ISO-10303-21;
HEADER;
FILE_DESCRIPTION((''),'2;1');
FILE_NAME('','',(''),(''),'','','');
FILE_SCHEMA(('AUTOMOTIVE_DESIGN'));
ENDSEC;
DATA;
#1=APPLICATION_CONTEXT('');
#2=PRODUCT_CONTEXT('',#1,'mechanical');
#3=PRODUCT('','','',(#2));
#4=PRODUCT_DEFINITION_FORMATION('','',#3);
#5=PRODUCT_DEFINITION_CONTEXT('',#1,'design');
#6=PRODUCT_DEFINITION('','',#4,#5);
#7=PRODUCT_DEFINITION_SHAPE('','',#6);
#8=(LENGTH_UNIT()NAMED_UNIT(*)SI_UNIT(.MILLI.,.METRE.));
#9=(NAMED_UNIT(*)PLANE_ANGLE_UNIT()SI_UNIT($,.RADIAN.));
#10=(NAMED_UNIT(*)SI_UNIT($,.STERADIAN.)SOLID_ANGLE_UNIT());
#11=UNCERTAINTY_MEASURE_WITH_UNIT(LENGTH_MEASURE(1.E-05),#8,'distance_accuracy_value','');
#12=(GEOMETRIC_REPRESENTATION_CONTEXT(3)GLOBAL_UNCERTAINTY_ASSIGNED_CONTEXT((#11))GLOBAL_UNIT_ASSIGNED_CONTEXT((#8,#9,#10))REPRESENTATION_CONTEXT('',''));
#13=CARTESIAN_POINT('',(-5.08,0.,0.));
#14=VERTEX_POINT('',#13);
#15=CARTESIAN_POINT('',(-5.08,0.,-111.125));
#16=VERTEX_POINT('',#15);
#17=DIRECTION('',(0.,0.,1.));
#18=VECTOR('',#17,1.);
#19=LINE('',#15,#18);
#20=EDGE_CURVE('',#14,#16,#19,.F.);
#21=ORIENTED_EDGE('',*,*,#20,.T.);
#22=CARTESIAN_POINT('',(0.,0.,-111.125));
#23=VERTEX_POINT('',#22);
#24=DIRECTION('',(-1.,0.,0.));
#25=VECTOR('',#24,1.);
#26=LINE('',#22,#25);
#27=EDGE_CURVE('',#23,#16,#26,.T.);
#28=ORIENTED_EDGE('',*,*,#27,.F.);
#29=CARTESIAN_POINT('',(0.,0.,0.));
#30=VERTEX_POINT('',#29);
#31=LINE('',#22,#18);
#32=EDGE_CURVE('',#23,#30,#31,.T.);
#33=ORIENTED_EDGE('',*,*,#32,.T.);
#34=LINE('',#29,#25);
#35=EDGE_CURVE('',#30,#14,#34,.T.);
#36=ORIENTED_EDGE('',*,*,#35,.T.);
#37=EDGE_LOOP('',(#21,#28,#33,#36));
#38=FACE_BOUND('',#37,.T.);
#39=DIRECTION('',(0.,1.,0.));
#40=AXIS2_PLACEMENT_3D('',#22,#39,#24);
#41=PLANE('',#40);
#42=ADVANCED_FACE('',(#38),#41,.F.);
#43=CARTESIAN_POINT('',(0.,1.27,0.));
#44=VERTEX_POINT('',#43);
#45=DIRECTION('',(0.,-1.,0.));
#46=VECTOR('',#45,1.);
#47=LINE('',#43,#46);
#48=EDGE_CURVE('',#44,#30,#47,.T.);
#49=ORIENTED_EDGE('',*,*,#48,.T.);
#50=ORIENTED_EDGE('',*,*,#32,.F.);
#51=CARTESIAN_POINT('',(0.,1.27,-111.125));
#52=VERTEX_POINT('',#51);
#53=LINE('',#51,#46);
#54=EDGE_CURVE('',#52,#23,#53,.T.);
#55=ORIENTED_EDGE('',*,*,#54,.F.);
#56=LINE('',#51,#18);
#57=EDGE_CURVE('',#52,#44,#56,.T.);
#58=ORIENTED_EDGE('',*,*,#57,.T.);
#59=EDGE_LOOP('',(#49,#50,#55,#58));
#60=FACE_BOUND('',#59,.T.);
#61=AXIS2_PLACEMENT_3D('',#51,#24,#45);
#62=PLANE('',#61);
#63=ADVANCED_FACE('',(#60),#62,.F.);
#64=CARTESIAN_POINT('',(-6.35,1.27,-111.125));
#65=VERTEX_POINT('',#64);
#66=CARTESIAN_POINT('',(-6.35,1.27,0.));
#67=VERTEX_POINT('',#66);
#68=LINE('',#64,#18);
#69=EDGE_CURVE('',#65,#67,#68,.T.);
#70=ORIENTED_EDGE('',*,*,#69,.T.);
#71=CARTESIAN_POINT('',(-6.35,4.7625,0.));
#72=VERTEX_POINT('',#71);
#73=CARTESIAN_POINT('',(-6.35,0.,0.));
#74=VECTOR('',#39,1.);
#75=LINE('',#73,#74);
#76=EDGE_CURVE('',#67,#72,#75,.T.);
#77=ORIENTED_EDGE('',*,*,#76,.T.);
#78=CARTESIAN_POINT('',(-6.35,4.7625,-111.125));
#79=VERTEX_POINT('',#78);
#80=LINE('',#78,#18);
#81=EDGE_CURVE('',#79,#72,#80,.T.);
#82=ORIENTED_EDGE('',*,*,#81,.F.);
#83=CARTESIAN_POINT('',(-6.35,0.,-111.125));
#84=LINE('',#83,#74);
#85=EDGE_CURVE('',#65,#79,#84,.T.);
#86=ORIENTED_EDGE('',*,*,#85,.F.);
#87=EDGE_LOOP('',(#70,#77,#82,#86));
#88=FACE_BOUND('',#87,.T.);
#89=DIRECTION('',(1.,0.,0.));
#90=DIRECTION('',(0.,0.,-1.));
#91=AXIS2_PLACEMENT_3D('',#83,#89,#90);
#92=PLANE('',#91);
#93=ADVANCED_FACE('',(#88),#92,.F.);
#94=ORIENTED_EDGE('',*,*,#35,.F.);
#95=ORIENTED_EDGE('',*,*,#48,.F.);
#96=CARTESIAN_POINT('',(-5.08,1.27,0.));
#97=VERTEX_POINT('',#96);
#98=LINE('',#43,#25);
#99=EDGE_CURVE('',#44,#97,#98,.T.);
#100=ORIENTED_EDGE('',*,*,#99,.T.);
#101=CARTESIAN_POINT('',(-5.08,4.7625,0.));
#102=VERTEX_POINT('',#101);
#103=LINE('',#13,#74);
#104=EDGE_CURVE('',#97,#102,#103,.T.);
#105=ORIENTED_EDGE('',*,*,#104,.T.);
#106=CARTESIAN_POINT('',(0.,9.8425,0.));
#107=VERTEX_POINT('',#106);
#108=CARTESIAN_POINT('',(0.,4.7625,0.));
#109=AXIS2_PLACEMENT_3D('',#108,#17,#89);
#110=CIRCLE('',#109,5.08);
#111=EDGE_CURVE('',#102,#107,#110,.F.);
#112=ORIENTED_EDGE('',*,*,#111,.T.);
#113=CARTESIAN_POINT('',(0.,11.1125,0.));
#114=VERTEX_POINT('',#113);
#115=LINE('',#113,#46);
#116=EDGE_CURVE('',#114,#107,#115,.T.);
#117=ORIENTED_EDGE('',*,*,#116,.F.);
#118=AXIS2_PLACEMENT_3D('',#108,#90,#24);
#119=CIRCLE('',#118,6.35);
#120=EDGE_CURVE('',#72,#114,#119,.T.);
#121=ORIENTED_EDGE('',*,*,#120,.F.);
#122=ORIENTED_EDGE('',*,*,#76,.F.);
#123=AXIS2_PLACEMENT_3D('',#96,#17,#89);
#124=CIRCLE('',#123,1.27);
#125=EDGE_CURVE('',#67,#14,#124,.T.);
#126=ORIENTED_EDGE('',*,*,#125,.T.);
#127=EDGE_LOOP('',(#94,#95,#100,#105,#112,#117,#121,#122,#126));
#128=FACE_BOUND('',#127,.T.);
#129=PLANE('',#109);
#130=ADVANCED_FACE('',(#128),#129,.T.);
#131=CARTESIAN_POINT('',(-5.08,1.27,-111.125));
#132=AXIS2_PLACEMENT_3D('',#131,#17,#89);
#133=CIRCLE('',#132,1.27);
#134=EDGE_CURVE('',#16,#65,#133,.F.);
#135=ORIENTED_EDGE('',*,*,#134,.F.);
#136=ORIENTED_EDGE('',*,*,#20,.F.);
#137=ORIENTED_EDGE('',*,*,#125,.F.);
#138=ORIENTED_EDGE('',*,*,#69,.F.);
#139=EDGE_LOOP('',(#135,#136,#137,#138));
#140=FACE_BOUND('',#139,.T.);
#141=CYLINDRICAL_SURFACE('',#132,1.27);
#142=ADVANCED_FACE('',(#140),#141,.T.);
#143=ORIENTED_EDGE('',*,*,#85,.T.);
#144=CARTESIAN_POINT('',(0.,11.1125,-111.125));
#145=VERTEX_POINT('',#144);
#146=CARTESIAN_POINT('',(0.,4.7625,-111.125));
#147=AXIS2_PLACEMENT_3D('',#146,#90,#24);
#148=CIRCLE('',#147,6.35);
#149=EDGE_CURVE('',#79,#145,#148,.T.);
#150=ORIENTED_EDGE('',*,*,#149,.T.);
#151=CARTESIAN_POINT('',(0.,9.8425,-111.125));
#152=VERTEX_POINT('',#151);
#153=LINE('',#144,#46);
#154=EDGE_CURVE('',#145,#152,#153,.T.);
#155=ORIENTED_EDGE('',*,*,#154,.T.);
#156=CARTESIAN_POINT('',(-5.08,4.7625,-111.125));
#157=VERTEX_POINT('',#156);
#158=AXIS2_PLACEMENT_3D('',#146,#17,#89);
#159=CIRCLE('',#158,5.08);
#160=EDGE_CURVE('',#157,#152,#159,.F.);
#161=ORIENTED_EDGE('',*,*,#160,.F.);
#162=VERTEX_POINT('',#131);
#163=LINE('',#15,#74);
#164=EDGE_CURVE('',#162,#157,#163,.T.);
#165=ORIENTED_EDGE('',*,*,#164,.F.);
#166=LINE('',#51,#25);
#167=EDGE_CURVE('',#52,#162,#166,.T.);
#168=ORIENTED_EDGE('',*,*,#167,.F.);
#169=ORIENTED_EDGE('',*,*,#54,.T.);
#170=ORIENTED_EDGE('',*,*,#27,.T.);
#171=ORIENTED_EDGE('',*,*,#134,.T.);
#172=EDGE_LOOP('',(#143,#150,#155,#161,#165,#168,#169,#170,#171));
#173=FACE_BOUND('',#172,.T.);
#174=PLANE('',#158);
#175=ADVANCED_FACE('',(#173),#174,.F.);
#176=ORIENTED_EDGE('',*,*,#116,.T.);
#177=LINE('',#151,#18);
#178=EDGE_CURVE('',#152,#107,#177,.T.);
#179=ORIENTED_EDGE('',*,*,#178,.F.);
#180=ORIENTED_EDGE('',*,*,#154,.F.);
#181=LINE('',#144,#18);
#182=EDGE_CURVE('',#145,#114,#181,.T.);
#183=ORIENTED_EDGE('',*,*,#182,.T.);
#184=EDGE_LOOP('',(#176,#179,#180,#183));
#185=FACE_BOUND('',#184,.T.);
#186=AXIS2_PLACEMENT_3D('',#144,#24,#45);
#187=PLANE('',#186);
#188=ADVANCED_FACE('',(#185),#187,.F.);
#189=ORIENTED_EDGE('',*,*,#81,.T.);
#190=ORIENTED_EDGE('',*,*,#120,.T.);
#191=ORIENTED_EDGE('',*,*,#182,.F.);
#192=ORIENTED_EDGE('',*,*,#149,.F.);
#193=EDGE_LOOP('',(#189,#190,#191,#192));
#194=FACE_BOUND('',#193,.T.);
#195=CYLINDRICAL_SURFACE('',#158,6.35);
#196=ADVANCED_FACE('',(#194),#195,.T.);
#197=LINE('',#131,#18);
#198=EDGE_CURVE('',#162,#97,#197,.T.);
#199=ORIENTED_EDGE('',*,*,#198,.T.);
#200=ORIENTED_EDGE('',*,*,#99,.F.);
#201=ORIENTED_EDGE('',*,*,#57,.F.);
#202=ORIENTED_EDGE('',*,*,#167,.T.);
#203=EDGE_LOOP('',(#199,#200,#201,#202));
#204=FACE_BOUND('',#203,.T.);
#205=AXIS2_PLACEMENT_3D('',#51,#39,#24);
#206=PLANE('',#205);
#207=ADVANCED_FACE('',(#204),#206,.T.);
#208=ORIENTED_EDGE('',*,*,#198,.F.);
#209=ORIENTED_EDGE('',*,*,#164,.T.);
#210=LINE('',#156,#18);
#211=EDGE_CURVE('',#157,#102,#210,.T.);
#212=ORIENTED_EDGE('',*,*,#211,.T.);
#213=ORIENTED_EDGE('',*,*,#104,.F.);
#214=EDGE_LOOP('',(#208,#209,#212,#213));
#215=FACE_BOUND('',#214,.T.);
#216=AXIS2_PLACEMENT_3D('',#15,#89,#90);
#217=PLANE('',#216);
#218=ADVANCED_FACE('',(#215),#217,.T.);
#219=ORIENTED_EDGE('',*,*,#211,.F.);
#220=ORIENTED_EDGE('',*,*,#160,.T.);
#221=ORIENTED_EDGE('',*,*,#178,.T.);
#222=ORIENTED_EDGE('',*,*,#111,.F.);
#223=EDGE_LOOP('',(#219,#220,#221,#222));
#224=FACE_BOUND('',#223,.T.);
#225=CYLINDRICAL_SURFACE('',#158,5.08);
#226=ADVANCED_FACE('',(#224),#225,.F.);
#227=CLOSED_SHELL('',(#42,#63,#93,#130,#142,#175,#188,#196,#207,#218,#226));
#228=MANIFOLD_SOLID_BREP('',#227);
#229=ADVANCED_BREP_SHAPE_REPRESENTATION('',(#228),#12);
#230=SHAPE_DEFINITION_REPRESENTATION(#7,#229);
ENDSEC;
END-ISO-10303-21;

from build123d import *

# Parameters (mm, degrees)
EXTRUDE_THIN1_DEPTH = 111.125
FILLET1_R           = 1.27


with BuildPart() as part:
    # Sketch1 → Extrude-Thin1 (new body)
    with BuildSketch(Plane.XY):
        with BuildLine():
            Line((0, 0), (-6.35, 0))
            Line((-6.35, 0), (-6.35, 4.7625))
            ThreePointArc((-6.35, 4.7625), (-4.490128061, 9.252628061), (0, 11.1125))
            Line((0, 11.1125), (0, 9.8425))
            ThreePointArc((0, 9.8425), (-3.592102448, 8.354602448), (-5.08, 4.7625))
            Line((-5.08, 4.7625), (-5.08, 1.27))
            Line((-5.08, 1.27), (0, 1.27))
            Line((0, 1.27), (0, 0))
        make_face()
    extrude(amount=-EXTRUDE_THIN1_DEPTH)

    # Fillet1
    fillet1_edges = [part.edges().sort_by_distance(p)[0] for p in [
        (-6.35, 0, -55.5625),
    ]]
    fillet(fillet1_edges, radius=FILLET1_R)


solid = part.part
